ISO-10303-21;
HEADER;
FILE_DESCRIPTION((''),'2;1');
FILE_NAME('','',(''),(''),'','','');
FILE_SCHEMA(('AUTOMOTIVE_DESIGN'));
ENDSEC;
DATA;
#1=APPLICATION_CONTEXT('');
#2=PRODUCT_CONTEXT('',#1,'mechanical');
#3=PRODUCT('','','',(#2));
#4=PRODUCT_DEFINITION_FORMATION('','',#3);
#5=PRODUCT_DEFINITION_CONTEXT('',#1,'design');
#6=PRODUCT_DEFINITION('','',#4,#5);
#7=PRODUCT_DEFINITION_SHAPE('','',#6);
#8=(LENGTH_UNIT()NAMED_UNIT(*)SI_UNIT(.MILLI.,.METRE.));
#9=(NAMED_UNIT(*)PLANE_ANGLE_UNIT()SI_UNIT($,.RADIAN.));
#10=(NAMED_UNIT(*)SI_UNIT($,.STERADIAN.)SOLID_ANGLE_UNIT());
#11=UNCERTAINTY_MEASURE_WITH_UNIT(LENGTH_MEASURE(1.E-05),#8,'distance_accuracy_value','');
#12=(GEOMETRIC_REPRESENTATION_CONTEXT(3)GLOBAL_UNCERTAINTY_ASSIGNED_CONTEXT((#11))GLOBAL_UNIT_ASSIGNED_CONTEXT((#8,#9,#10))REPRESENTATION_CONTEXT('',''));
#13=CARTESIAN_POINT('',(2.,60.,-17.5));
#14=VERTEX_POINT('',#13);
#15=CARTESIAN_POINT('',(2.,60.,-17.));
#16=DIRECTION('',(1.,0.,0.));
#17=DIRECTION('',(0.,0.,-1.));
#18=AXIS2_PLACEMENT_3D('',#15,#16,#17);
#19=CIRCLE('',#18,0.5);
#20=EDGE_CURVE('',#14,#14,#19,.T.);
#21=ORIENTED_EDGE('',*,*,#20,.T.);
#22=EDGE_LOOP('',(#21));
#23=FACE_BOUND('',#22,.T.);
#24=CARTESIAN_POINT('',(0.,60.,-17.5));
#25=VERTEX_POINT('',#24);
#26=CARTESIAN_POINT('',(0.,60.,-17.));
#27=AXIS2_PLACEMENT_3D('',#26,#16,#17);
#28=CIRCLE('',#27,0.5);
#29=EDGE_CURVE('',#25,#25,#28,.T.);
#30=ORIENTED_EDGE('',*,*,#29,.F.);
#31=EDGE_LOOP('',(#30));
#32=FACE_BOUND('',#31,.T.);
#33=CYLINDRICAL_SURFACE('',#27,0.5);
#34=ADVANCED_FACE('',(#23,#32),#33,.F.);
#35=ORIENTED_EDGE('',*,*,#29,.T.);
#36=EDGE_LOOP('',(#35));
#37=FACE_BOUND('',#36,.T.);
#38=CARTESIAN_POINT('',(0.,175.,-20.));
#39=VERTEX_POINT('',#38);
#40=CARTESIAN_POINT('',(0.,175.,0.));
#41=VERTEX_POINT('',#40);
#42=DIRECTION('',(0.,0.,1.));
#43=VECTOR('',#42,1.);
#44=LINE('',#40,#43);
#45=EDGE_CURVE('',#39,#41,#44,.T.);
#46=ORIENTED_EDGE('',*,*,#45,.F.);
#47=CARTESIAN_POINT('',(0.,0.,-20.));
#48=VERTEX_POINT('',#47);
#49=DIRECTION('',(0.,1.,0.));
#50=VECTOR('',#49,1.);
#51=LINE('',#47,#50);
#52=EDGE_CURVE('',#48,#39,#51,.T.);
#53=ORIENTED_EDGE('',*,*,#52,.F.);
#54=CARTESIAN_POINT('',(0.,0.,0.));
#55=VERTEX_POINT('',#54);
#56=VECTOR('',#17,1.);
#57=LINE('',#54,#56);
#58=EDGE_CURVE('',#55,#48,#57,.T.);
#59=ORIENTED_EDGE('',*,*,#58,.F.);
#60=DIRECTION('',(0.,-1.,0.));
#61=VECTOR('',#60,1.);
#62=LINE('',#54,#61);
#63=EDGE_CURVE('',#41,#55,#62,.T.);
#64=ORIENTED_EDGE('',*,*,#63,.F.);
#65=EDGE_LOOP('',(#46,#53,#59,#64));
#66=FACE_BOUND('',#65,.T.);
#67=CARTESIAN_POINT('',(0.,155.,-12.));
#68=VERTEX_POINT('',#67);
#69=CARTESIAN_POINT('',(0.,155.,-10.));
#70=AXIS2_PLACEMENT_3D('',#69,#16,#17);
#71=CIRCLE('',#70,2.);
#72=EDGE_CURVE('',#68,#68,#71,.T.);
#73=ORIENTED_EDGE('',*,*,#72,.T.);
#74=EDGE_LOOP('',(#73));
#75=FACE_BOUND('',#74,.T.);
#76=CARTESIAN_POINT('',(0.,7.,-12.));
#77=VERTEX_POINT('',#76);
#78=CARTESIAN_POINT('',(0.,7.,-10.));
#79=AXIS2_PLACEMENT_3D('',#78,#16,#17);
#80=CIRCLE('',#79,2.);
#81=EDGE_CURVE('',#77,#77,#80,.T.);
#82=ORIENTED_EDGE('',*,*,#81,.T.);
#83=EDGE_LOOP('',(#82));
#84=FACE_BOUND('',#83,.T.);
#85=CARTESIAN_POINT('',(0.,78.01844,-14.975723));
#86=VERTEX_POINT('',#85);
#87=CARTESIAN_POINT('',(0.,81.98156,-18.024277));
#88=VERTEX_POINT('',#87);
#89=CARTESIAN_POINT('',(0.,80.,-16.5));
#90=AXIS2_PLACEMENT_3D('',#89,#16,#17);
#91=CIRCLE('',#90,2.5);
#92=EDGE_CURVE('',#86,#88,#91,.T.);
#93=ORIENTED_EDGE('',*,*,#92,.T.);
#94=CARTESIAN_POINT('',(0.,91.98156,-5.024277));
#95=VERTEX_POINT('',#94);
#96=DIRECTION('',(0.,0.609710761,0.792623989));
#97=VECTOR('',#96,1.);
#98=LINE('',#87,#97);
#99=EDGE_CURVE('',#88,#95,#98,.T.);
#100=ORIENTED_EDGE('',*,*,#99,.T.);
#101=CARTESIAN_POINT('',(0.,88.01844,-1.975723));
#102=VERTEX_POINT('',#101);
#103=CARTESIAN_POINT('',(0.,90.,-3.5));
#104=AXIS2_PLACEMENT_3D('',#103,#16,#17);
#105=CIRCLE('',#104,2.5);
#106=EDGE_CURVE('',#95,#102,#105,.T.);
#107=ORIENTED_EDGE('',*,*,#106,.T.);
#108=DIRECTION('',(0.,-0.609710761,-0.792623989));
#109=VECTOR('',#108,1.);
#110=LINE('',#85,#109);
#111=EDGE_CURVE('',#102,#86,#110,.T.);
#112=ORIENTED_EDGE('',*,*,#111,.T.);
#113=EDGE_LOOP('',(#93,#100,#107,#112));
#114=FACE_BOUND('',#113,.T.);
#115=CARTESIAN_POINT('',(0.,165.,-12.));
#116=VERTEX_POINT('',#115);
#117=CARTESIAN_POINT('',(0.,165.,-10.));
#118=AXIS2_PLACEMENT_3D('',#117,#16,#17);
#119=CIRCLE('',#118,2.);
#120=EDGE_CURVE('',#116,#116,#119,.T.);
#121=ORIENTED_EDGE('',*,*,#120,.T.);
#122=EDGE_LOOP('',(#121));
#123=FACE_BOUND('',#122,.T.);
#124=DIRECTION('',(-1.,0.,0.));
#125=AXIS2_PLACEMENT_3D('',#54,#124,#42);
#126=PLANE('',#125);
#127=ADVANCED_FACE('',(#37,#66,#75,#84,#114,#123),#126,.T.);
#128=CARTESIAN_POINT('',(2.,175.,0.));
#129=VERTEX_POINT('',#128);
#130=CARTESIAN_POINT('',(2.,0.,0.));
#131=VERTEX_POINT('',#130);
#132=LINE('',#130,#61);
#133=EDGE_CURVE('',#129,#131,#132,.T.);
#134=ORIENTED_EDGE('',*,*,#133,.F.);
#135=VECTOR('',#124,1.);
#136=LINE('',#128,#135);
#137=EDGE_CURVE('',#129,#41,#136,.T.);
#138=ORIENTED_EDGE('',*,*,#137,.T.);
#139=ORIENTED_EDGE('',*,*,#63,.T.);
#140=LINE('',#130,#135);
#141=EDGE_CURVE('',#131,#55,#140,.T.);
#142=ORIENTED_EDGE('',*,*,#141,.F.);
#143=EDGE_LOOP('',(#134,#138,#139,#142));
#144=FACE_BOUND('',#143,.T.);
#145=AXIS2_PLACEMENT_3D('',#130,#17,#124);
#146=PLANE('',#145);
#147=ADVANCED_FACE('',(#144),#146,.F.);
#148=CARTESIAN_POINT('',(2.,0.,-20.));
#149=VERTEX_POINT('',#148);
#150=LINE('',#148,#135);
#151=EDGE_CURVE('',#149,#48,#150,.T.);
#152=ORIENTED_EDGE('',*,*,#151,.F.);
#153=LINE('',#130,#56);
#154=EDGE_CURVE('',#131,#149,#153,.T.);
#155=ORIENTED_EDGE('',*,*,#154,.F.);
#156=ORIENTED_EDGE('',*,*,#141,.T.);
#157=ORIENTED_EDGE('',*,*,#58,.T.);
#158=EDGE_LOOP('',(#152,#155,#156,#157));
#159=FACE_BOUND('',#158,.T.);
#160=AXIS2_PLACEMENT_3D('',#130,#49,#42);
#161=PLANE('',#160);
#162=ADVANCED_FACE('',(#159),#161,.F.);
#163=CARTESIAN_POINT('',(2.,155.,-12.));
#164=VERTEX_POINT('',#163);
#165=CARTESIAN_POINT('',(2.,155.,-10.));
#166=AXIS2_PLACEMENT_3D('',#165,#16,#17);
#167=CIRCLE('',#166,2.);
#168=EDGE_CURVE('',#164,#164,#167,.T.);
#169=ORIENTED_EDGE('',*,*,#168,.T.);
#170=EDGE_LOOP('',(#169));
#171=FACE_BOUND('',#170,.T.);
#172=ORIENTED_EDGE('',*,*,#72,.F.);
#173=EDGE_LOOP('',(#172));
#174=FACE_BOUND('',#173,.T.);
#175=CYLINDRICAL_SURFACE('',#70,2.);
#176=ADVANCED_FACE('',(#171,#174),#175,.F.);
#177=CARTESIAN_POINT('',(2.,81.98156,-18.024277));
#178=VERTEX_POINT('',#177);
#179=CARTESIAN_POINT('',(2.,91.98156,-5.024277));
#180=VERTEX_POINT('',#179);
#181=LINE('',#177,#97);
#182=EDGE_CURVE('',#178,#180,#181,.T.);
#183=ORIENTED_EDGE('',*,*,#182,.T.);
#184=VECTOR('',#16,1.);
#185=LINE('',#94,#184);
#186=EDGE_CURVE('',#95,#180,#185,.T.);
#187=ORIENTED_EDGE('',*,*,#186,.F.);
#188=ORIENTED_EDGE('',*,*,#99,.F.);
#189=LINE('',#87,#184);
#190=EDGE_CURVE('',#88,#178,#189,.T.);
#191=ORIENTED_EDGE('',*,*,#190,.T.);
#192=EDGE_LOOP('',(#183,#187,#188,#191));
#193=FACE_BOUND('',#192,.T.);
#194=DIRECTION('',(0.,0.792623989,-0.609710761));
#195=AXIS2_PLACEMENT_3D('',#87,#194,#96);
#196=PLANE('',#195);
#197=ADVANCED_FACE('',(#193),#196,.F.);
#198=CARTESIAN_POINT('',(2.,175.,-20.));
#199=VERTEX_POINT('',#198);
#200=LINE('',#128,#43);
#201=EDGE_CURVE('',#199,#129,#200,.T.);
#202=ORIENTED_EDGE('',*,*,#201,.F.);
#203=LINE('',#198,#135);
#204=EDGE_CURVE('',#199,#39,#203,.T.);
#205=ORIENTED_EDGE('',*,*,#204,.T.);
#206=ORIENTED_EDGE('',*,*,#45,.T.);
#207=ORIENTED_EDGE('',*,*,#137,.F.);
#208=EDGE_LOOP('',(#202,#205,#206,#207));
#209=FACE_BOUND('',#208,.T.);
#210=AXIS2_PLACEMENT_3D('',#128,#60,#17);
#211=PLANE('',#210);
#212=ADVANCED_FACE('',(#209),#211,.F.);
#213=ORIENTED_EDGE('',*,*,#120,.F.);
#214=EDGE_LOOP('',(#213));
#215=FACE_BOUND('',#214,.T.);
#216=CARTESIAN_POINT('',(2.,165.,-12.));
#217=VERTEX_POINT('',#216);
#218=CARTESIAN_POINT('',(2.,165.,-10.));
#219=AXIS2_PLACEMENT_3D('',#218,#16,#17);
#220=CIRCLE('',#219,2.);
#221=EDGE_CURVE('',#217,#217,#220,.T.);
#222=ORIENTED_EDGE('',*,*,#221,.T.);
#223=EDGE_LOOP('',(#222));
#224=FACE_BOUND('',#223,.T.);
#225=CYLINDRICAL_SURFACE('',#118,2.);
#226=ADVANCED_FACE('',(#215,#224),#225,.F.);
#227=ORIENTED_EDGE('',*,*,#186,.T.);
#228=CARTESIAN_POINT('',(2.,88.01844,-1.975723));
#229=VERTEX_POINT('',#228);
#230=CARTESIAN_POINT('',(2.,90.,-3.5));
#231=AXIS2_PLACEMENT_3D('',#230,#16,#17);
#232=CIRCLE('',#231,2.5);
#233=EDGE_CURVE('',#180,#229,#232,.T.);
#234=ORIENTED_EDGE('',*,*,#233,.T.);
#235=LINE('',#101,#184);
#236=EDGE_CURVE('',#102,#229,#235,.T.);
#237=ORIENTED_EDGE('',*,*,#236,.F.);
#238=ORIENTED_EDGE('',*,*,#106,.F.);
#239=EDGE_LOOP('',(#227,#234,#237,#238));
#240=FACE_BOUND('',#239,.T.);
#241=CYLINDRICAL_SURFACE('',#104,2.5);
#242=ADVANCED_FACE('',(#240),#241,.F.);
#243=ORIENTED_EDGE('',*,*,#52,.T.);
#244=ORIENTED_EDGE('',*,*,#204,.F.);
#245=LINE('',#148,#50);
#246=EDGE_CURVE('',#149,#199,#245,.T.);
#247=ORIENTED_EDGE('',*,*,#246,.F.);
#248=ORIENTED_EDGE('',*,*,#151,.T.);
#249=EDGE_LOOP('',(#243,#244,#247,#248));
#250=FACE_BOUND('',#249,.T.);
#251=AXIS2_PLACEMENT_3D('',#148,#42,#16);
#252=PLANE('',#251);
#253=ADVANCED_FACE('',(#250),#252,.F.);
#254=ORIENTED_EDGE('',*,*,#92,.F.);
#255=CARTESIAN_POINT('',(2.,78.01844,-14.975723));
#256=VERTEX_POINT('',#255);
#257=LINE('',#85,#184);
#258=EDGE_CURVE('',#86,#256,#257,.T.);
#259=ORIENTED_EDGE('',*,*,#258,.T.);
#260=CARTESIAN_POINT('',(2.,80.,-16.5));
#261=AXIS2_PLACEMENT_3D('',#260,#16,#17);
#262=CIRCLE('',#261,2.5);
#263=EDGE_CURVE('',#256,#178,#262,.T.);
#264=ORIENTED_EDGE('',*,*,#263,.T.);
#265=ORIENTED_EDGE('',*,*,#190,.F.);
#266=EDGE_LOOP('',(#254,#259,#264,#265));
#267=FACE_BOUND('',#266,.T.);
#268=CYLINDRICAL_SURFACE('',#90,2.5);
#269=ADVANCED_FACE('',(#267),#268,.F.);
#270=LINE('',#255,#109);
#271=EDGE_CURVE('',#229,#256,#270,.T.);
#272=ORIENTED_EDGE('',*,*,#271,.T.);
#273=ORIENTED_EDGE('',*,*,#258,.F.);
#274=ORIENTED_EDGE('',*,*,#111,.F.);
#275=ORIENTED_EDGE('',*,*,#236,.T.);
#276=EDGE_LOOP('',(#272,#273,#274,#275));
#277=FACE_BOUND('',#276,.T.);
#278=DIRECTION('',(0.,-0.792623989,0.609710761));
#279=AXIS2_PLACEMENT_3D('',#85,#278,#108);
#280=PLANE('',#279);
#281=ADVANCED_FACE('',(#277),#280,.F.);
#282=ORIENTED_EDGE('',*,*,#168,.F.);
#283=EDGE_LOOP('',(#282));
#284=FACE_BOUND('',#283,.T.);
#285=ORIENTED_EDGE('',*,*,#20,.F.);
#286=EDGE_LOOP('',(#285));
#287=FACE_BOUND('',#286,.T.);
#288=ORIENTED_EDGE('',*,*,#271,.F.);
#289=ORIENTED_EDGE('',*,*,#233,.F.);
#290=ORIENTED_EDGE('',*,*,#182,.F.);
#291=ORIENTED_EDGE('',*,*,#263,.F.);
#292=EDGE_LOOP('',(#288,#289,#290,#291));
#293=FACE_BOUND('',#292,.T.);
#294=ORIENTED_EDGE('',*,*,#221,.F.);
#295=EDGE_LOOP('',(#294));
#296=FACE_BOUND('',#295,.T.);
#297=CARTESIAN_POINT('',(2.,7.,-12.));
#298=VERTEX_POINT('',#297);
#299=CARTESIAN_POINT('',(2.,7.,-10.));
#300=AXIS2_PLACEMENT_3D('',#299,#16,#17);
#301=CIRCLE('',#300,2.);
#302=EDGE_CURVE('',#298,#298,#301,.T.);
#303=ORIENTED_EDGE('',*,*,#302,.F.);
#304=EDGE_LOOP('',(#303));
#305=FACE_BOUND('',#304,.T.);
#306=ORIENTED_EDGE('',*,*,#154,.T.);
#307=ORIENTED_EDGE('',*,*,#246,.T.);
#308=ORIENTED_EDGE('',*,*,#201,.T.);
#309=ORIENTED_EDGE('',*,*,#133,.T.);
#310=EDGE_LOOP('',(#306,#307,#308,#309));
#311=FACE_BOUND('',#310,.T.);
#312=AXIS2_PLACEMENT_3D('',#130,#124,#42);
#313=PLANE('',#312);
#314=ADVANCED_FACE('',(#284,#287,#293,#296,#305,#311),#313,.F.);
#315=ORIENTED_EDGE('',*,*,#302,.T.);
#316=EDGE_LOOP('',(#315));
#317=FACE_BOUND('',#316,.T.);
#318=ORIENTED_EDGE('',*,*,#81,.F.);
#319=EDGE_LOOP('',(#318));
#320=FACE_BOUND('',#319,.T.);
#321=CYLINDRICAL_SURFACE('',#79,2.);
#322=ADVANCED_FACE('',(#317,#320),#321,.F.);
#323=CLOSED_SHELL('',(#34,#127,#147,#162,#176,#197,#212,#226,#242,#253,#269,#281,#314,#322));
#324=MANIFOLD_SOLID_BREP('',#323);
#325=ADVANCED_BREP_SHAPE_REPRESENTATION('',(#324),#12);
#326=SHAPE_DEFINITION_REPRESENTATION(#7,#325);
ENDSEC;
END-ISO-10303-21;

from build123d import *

# Parameters (mm, degrees)
SKETCH1_W           = 20
SKETCH1_H           = 175
BOSS_EXTRUDE1_DEPTH = 2
SKETCH2_R           = 2
SKETCH2_R_2         = 0.5
CUT_EXTRUDE1_DEPTH  = 2


with BuildPart() as part:
    # Sketch1 → Boss-Extrude1 (new body)
    with BuildSketch(Plane(origin=(0, 0, 0), x_dir=(0, 0, -1), z_dir=(1, 0, 0))):
        with Locations((10, 87.5)):
            Rectangle(SKETCH1_W, SKETCH1_H)
    extrude(amount=BOSS_EXTRUDE1_DEPTH)

    # Sketch2 → Cut-Extrude1 (cut)
    with BuildSketch(Plane(origin=(2, 0, 0), x_dir=(0, 0, -1), z_dir=(1, 0, 0))):
        with Locations((10, 7)):
            Circle(SKETCH2_R)
        with Locations((10, 165)):
            Circle(SKETCH2_R)
        with Locations((10, 155)):
            Circle(SKETCH2_R)
        with Locations((17, 60)):
            Circle(SKETCH2_R_2)
        with BuildLine():
            Line((14.975723098, 78.018440027), (1.975723098, 88.018440027))
            ThreePointArc((1.975723098, 88.018440027), (1.518440027, 91.524276902), (5.024276902, 91.981559973))
            Line((5.024276902, 91.981559973), (18.024276902, 81.981559973))
            ThreePointArc((18.024276902, 81.981559973), (18.481559973, 78.475723098), (14.975723098, 78.018440027))
        make_face()
    extrude(amount=-CUT_EXTRUDE1_DEPTH, mode=Mode.SUBTRACT)


solid = part.part
